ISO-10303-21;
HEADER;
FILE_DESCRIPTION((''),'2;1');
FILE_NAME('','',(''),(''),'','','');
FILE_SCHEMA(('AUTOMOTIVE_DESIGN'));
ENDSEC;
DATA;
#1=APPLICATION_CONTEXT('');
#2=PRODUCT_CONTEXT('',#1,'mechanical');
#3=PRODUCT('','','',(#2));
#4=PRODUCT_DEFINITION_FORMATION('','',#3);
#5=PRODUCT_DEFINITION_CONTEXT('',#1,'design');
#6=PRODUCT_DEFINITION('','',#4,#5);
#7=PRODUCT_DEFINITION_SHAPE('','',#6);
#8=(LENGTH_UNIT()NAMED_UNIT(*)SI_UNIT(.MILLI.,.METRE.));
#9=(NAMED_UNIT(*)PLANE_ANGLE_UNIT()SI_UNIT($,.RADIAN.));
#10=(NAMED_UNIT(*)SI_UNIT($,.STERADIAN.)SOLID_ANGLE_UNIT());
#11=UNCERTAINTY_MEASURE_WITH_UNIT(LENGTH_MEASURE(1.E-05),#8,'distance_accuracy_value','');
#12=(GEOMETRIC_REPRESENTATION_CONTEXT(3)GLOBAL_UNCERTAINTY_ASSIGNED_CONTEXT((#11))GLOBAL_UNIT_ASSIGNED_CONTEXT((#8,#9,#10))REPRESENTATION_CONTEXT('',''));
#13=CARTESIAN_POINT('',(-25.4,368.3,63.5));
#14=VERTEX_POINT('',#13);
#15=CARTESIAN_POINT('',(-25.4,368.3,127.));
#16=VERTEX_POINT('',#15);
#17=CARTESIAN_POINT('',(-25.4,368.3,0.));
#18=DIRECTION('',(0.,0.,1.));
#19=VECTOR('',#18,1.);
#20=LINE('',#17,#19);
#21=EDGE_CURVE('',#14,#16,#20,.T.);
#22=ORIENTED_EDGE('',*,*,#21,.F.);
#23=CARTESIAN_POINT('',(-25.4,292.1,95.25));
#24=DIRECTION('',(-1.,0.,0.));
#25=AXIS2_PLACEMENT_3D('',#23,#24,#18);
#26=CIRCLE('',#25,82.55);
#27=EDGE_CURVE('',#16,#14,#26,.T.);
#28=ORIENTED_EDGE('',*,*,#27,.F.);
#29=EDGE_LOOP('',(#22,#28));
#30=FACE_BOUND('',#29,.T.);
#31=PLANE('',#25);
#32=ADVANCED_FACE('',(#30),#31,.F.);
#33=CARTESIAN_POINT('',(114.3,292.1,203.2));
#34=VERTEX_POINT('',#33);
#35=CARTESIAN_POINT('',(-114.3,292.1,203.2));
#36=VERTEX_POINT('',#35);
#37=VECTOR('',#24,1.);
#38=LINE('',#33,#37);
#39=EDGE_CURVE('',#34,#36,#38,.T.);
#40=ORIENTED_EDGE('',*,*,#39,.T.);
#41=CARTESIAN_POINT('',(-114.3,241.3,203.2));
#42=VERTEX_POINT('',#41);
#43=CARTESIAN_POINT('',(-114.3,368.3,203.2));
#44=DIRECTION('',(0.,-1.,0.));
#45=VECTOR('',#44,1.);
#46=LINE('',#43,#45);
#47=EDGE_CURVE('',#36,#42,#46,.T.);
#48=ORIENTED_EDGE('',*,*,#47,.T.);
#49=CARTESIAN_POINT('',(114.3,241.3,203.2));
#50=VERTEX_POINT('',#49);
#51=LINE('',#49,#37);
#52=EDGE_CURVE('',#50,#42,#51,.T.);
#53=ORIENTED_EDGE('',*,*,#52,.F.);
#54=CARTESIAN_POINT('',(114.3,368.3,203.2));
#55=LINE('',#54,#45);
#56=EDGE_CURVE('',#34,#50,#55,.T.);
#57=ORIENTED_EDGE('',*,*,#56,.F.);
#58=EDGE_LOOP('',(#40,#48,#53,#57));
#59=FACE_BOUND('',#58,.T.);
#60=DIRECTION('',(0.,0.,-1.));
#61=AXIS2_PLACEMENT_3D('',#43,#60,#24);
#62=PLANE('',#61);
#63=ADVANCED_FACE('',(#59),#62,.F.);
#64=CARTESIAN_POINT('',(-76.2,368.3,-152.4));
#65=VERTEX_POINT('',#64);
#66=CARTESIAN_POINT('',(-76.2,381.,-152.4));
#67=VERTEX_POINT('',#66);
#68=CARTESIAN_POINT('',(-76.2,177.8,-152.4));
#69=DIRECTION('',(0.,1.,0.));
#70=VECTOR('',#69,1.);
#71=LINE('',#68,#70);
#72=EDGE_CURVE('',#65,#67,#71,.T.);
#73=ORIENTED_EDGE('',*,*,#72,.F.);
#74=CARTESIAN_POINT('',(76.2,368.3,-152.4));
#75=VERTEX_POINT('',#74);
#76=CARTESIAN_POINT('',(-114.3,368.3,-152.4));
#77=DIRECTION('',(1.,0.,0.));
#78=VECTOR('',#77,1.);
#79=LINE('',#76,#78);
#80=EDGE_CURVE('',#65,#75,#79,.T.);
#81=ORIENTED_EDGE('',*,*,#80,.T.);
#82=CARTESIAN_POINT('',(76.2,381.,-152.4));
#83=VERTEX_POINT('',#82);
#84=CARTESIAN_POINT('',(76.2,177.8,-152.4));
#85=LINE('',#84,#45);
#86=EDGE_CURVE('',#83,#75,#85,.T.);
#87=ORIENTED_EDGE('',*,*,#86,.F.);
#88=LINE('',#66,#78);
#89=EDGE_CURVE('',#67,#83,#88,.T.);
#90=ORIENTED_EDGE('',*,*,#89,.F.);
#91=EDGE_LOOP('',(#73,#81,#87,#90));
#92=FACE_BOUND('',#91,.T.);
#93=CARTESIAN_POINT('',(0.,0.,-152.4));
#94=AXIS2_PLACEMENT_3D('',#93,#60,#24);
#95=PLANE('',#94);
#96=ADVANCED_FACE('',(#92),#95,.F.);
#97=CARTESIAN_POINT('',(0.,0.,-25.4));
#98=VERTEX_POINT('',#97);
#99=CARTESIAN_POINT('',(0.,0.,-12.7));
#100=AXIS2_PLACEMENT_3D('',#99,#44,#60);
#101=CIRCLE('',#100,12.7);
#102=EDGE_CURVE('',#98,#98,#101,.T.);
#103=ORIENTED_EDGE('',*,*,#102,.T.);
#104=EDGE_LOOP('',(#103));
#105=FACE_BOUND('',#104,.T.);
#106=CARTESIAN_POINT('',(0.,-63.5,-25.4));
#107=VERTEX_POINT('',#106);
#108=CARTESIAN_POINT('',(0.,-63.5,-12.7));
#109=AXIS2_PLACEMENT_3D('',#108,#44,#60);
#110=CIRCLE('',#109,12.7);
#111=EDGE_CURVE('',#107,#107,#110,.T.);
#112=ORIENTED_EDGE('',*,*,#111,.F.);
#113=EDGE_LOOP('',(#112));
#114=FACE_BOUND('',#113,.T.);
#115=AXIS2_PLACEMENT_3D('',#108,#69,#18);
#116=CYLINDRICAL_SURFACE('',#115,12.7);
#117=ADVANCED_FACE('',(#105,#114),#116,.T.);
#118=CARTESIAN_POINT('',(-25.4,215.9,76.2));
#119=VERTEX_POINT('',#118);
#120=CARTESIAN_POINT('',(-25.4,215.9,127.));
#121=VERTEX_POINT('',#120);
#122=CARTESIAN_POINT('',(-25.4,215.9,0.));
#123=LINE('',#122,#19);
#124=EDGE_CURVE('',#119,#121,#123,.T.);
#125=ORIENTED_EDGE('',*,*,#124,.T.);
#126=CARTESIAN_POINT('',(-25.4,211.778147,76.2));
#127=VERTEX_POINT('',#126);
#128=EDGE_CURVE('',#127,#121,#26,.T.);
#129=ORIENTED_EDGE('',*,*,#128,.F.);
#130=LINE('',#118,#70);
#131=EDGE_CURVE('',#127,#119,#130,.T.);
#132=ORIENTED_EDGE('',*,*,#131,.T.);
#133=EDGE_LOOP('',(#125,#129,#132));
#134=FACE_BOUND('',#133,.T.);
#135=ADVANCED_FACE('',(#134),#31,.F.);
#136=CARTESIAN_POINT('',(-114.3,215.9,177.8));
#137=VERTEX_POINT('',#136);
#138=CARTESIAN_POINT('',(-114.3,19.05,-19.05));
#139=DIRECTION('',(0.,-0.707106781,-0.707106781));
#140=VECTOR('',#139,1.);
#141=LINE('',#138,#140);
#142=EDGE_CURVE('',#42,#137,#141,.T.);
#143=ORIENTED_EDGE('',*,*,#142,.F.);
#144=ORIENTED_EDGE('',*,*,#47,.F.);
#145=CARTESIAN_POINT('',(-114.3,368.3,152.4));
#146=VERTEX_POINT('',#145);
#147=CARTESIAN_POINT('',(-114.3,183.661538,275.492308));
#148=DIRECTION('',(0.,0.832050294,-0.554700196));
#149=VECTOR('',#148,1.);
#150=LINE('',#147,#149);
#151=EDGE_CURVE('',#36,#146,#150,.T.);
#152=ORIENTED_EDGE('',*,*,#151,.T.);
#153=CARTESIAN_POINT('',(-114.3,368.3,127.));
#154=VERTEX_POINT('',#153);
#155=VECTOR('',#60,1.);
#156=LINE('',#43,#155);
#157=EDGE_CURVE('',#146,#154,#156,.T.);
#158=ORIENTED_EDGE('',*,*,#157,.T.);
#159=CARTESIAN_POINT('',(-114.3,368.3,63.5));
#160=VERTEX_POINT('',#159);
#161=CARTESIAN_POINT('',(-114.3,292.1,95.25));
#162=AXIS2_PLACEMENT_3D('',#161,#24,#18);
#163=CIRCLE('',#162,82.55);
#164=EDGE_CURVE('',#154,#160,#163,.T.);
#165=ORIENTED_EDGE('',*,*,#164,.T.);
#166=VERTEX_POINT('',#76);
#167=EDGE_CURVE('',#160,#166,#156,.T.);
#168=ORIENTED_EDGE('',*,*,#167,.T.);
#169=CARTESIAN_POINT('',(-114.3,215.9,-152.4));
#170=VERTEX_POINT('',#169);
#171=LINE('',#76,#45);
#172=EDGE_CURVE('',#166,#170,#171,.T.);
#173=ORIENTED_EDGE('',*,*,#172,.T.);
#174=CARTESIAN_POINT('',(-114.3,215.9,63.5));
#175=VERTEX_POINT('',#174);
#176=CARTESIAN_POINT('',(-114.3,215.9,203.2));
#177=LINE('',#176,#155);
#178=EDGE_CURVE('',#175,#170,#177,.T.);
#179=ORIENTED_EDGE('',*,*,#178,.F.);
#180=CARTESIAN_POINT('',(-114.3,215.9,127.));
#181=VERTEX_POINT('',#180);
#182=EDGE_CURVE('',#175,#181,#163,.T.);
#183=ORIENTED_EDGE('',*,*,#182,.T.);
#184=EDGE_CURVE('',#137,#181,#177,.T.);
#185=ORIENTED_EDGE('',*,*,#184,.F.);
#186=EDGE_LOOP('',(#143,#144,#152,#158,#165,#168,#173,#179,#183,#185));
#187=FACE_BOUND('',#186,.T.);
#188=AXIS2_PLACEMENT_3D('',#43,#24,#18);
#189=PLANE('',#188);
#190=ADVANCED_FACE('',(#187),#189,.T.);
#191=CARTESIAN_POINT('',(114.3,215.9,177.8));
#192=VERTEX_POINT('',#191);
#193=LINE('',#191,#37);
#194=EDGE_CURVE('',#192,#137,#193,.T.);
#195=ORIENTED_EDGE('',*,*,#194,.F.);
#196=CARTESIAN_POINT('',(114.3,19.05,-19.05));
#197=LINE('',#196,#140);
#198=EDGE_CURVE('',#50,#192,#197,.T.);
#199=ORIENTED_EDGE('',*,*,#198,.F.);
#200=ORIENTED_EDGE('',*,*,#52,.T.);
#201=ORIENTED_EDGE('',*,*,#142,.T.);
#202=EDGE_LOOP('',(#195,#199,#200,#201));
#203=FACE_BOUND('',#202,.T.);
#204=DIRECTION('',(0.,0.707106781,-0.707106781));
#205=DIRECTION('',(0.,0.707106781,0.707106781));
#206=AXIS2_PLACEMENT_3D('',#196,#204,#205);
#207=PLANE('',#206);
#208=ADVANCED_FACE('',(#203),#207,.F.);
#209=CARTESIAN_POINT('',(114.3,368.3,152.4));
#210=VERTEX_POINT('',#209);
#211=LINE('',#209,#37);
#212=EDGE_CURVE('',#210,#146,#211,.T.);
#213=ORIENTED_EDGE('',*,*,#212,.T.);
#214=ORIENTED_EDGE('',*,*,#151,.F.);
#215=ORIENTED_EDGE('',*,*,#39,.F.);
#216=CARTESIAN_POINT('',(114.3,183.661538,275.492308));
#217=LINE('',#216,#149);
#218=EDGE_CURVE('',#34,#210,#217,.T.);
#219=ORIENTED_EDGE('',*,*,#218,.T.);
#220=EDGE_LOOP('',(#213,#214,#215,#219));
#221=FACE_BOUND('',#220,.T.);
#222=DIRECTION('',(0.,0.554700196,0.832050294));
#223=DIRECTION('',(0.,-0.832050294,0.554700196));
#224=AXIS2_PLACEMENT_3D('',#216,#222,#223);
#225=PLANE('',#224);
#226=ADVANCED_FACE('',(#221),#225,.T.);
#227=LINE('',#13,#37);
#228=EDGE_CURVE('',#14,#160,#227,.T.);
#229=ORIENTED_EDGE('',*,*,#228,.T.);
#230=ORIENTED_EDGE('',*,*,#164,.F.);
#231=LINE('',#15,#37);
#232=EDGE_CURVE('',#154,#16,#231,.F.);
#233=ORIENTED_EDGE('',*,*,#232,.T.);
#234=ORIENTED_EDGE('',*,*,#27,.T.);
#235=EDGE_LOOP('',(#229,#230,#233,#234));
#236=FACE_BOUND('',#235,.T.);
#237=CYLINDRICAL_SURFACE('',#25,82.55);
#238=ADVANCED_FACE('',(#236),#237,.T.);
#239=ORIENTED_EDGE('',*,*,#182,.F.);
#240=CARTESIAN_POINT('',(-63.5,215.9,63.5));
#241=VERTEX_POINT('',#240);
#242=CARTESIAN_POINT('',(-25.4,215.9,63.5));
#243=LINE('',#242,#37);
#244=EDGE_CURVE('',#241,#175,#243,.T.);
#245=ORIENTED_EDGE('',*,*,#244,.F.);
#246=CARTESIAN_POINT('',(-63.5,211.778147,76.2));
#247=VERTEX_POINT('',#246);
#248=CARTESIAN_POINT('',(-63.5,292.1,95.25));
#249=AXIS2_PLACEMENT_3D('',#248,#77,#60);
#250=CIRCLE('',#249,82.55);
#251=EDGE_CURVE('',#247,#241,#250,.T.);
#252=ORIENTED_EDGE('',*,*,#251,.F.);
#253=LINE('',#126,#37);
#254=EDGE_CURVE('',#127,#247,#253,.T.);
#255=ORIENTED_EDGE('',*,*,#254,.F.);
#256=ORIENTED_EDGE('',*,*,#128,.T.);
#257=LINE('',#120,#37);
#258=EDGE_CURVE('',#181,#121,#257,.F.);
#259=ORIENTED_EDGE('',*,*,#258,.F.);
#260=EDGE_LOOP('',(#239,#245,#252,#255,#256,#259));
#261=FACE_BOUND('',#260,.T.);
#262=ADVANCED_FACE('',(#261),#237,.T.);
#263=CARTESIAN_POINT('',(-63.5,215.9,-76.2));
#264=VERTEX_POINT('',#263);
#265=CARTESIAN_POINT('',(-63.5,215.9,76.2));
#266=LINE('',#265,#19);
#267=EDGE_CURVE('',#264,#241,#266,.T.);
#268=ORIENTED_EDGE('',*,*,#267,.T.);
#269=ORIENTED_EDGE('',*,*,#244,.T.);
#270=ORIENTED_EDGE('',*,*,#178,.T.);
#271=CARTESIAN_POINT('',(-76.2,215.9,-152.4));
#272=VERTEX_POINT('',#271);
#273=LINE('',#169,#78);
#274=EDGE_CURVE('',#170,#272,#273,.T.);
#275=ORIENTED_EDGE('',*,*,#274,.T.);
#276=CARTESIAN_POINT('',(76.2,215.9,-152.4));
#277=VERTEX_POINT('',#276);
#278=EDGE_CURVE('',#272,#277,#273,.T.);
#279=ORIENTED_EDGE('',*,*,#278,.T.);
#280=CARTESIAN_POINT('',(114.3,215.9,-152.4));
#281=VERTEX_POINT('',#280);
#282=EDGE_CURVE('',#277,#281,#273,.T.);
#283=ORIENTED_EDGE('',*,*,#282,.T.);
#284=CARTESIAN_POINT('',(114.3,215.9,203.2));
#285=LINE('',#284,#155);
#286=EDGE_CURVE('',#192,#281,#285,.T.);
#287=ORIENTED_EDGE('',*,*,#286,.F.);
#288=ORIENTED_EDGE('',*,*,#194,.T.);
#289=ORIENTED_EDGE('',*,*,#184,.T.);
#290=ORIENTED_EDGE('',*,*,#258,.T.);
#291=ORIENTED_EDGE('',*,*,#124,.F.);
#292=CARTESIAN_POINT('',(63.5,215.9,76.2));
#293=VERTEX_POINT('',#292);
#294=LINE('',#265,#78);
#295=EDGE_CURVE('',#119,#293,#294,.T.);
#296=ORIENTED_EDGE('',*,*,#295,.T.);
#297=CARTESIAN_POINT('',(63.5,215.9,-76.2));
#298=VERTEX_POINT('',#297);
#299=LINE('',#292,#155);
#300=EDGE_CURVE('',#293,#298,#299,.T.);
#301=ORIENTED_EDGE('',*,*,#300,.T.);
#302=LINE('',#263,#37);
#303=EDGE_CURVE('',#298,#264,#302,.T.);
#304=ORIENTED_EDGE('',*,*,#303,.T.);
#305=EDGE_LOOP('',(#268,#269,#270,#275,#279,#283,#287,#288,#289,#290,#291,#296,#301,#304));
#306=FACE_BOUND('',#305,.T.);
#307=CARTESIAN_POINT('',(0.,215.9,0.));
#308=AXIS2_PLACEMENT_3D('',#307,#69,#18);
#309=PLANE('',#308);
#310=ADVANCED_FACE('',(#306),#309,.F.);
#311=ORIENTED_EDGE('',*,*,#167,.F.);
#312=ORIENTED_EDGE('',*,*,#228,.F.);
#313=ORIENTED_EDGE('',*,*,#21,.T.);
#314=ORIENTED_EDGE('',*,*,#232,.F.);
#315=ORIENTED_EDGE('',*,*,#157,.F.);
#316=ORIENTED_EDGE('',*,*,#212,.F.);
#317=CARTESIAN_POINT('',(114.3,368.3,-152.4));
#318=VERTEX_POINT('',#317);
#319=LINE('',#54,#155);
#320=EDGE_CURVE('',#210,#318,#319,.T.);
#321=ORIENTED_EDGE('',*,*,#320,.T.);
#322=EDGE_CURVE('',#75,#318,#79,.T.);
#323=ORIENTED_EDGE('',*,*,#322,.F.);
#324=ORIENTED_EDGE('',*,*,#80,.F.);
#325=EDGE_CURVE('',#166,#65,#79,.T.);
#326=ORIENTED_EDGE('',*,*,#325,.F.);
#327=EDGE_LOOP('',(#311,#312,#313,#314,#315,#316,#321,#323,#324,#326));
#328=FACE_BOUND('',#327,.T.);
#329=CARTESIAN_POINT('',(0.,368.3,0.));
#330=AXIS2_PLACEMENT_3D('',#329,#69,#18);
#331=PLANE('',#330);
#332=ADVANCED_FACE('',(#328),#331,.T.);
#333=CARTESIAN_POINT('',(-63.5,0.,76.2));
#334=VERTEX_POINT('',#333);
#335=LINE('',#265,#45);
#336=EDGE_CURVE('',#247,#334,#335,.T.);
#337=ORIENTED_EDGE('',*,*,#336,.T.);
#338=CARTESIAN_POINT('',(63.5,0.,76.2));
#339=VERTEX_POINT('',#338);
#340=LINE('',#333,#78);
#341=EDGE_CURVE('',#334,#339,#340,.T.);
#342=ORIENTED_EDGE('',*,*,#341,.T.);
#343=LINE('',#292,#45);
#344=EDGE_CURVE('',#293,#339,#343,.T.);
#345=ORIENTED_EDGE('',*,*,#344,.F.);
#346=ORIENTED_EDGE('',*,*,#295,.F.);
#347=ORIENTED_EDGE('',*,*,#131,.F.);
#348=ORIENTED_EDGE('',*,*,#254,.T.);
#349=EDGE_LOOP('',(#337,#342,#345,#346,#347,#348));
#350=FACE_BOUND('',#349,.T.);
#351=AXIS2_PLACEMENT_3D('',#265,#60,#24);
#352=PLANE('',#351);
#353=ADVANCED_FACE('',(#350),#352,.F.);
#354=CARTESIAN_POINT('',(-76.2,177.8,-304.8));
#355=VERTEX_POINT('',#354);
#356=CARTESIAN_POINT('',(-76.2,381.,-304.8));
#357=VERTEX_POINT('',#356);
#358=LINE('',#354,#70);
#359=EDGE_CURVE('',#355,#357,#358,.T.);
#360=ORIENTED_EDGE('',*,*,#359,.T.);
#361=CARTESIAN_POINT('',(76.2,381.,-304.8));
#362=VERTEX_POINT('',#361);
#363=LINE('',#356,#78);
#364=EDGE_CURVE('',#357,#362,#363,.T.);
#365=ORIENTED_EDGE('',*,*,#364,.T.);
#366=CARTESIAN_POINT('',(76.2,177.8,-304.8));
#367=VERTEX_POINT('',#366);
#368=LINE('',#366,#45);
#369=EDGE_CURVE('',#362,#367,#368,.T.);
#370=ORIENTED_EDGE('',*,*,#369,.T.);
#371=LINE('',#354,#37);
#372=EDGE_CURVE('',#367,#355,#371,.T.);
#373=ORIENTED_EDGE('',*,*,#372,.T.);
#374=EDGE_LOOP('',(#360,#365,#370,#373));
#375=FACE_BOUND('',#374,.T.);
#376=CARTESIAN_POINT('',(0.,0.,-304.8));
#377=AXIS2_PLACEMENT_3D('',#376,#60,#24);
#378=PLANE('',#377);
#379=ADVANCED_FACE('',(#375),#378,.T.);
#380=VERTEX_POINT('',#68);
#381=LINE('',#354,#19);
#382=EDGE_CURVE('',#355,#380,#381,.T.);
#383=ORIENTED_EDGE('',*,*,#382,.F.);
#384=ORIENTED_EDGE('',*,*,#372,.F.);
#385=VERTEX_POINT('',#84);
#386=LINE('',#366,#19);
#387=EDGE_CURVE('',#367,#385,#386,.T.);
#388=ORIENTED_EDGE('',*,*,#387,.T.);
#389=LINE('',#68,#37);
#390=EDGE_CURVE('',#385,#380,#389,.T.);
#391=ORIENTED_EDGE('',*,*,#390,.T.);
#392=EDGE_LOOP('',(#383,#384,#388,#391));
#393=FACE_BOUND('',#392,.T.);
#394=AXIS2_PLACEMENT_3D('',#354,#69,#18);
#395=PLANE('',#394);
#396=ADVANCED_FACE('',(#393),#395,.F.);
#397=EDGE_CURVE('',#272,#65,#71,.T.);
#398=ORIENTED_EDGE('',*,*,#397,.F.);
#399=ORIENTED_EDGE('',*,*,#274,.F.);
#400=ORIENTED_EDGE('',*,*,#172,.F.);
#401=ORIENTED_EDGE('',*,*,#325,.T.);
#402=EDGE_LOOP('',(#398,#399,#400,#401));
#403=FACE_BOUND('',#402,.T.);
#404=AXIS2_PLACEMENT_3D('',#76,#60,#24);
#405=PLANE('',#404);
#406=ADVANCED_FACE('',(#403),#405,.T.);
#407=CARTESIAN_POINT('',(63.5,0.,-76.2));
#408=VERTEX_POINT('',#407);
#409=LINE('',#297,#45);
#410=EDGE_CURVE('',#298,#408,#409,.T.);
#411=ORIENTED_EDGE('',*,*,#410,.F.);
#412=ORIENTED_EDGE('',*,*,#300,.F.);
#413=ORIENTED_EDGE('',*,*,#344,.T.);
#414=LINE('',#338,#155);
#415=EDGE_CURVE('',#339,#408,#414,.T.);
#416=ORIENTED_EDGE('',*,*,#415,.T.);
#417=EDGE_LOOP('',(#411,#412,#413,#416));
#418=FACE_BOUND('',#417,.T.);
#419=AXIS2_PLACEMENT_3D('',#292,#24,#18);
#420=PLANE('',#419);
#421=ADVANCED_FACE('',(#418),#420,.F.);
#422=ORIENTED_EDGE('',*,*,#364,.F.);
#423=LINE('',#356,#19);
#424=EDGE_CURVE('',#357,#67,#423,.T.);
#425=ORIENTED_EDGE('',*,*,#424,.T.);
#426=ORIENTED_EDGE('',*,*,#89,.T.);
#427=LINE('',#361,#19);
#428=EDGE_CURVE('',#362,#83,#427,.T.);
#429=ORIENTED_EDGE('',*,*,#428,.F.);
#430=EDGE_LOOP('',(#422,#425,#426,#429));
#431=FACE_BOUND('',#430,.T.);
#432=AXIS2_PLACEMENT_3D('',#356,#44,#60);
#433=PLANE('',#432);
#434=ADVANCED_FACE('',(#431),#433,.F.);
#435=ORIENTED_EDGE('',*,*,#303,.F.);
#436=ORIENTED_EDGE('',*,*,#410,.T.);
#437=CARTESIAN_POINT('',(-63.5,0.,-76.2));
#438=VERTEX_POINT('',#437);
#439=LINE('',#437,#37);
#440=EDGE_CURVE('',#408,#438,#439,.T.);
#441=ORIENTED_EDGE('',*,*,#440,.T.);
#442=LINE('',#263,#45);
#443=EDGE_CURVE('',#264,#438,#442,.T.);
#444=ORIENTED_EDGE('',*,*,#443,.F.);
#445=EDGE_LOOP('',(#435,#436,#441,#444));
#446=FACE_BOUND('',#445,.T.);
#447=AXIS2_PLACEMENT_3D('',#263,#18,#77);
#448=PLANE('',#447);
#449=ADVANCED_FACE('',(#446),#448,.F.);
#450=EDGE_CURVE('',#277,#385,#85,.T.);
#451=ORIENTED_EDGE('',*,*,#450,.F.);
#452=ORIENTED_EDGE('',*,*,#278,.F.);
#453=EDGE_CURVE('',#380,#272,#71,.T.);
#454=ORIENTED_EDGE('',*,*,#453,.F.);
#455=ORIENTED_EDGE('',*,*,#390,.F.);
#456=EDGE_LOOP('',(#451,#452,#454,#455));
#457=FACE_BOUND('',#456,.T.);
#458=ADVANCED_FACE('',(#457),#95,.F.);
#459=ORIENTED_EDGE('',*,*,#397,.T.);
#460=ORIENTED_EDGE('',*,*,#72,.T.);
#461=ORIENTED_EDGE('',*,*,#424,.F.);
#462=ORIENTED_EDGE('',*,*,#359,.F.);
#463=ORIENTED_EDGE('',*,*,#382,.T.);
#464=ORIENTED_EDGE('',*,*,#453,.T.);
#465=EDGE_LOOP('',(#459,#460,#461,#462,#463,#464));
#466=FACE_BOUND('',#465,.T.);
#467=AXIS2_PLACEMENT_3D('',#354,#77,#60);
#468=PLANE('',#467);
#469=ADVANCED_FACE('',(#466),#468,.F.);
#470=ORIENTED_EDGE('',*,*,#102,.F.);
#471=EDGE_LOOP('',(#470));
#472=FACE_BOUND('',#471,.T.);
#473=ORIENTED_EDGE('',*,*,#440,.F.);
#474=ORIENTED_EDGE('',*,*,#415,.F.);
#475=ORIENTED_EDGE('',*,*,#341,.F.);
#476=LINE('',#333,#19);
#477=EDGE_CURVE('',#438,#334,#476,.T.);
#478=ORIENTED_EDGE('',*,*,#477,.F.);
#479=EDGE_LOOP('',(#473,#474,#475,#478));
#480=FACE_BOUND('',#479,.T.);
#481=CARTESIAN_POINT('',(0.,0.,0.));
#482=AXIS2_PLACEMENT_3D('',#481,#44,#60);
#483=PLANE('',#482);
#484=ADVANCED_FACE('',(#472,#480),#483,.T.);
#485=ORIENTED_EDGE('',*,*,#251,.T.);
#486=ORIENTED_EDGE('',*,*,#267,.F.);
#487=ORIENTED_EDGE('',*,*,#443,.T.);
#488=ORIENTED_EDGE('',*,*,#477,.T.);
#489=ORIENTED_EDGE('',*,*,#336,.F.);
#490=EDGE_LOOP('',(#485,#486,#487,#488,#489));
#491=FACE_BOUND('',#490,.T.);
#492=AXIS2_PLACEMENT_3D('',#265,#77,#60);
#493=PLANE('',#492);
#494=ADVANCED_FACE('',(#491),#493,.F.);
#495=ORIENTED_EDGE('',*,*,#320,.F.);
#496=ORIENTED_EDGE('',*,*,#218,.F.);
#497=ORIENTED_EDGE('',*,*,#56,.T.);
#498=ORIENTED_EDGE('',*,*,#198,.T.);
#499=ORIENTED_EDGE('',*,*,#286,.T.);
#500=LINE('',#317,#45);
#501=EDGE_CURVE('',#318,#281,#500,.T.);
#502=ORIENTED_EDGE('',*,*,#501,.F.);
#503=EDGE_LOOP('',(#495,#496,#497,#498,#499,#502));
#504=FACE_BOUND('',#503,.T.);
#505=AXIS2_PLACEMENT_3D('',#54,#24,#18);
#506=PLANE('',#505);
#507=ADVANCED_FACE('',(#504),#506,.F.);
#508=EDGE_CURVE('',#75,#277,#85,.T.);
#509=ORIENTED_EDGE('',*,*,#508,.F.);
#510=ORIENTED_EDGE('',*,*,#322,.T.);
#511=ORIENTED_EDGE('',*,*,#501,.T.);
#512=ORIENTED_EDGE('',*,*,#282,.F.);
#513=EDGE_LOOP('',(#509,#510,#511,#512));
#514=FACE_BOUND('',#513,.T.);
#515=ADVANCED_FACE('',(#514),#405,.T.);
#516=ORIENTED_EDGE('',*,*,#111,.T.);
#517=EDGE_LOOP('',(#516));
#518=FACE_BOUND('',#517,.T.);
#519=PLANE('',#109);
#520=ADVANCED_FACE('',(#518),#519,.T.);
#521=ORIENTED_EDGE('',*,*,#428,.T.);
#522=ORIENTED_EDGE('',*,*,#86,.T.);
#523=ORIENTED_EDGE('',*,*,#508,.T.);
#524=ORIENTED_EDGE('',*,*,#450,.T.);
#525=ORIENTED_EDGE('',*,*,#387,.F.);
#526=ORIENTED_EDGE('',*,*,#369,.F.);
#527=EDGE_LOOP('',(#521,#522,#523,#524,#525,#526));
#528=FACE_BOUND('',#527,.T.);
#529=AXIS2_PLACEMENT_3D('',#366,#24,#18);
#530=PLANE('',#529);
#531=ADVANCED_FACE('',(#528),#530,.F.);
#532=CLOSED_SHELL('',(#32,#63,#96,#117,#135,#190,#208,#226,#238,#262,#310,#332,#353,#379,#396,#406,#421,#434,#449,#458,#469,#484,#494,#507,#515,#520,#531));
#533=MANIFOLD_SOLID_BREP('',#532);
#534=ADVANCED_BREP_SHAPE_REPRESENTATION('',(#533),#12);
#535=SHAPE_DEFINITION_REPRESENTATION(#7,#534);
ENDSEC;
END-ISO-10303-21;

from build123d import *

# Parameters (mm, degrees)
SKETCH2_W           = 127
SKETCH2_H           = 152.4
BOSS_EXTRUDE2_DEPTH = 215.9
SKETCH3_W           = 228.6
SKETCH3_H           = 355.6
BOSS_EXTRUDE3_DEPTH = 152.4
SKETCH4_R           = 82.55
BOSS_EXTRUDE4_DEPTH = 88.9
CUT_EXTRUDE1_DEPTH  = 484.643280218
SKETCH6_W           = 152.4
SKETCH6_H           = 203.2
BOSS_EXTRUDE5_DEPTH = 152.4
SKETCH7_R           = 12.7
BOSS_EXTRUDE6_DEPTH = 63.5


with BuildPart() as part:
    # Sketch2 → Boss-Extrude2 (new body)
    with BuildSketch(Plane(origin=(0, 0, 0), x_dir=(1, 0, 0), z_dir=(0, 1, 0))):
        Rectangle(SKETCH2_W, SKETCH2_H)
    extrude(amount=BOSS_EXTRUDE2_DEPTH)

    # Sketch3 → Boss-Extrude3 (add)
    with BuildSketch(Plane(origin=(0, 215.9, 0), x_dir=(1, 0, 0), z_dir=(0, 1, 0))):
        with Locations((0, -25.4)):
            Rectangle(SKETCH3_W, SKETCH3_H)
    extrude(amount=BOSS_EXTRUDE3_DEPTH)

    # Sketch4 → Boss-Extrude4 (add)
    with BuildSketch(Plane.ZY.offset(114.3)):
        with Locations((95.25, 292.1)):
            Circle(SKETCH4_R)
    extrude(amount=-BOSS_EXTRUDE4_DEPTH)

    # Sketch5 → Cut-Extrude1 (cut, through all)
    with BuildSketch(Plane.ZY.offset(114.3)):
        Polygon((152.4, 368.3), (203.2, 292.1), (203.2, 368.3), align=None)
        Polygon((203.2, 215.9), (203.2, 241.3), (177.8, 215.9), align=None)
    extrude(amount=-CUT_EXTRUDE1_DEPTH, mode=Mode.SUBTRACT)

    # Sketch6 → Boss-Extrude5 (add)
    with BuildSketch(Plane(origin=(0, 0, -152.4), x_dir=(-1, 0, 0), z_dir=(0, 0, -1))):
        with Locations((0, 279.4)):
            Rectangle(SKETCH6_W, SKETCH6_H)
    extrude(amount=BOSS_EXTRUDE5_DEPTH)

    # Sketch7 → Boss-Extrude6 (add)
    with BuildSketch(Plane.XZ):
        with Locations(Location((0, -12.7, 0), (0, 0, 270))):
            Circle(SKETCH7_R)
    extrude(amount=BOSS_EXTRUDE6_DEPTH)


solid = part.part
